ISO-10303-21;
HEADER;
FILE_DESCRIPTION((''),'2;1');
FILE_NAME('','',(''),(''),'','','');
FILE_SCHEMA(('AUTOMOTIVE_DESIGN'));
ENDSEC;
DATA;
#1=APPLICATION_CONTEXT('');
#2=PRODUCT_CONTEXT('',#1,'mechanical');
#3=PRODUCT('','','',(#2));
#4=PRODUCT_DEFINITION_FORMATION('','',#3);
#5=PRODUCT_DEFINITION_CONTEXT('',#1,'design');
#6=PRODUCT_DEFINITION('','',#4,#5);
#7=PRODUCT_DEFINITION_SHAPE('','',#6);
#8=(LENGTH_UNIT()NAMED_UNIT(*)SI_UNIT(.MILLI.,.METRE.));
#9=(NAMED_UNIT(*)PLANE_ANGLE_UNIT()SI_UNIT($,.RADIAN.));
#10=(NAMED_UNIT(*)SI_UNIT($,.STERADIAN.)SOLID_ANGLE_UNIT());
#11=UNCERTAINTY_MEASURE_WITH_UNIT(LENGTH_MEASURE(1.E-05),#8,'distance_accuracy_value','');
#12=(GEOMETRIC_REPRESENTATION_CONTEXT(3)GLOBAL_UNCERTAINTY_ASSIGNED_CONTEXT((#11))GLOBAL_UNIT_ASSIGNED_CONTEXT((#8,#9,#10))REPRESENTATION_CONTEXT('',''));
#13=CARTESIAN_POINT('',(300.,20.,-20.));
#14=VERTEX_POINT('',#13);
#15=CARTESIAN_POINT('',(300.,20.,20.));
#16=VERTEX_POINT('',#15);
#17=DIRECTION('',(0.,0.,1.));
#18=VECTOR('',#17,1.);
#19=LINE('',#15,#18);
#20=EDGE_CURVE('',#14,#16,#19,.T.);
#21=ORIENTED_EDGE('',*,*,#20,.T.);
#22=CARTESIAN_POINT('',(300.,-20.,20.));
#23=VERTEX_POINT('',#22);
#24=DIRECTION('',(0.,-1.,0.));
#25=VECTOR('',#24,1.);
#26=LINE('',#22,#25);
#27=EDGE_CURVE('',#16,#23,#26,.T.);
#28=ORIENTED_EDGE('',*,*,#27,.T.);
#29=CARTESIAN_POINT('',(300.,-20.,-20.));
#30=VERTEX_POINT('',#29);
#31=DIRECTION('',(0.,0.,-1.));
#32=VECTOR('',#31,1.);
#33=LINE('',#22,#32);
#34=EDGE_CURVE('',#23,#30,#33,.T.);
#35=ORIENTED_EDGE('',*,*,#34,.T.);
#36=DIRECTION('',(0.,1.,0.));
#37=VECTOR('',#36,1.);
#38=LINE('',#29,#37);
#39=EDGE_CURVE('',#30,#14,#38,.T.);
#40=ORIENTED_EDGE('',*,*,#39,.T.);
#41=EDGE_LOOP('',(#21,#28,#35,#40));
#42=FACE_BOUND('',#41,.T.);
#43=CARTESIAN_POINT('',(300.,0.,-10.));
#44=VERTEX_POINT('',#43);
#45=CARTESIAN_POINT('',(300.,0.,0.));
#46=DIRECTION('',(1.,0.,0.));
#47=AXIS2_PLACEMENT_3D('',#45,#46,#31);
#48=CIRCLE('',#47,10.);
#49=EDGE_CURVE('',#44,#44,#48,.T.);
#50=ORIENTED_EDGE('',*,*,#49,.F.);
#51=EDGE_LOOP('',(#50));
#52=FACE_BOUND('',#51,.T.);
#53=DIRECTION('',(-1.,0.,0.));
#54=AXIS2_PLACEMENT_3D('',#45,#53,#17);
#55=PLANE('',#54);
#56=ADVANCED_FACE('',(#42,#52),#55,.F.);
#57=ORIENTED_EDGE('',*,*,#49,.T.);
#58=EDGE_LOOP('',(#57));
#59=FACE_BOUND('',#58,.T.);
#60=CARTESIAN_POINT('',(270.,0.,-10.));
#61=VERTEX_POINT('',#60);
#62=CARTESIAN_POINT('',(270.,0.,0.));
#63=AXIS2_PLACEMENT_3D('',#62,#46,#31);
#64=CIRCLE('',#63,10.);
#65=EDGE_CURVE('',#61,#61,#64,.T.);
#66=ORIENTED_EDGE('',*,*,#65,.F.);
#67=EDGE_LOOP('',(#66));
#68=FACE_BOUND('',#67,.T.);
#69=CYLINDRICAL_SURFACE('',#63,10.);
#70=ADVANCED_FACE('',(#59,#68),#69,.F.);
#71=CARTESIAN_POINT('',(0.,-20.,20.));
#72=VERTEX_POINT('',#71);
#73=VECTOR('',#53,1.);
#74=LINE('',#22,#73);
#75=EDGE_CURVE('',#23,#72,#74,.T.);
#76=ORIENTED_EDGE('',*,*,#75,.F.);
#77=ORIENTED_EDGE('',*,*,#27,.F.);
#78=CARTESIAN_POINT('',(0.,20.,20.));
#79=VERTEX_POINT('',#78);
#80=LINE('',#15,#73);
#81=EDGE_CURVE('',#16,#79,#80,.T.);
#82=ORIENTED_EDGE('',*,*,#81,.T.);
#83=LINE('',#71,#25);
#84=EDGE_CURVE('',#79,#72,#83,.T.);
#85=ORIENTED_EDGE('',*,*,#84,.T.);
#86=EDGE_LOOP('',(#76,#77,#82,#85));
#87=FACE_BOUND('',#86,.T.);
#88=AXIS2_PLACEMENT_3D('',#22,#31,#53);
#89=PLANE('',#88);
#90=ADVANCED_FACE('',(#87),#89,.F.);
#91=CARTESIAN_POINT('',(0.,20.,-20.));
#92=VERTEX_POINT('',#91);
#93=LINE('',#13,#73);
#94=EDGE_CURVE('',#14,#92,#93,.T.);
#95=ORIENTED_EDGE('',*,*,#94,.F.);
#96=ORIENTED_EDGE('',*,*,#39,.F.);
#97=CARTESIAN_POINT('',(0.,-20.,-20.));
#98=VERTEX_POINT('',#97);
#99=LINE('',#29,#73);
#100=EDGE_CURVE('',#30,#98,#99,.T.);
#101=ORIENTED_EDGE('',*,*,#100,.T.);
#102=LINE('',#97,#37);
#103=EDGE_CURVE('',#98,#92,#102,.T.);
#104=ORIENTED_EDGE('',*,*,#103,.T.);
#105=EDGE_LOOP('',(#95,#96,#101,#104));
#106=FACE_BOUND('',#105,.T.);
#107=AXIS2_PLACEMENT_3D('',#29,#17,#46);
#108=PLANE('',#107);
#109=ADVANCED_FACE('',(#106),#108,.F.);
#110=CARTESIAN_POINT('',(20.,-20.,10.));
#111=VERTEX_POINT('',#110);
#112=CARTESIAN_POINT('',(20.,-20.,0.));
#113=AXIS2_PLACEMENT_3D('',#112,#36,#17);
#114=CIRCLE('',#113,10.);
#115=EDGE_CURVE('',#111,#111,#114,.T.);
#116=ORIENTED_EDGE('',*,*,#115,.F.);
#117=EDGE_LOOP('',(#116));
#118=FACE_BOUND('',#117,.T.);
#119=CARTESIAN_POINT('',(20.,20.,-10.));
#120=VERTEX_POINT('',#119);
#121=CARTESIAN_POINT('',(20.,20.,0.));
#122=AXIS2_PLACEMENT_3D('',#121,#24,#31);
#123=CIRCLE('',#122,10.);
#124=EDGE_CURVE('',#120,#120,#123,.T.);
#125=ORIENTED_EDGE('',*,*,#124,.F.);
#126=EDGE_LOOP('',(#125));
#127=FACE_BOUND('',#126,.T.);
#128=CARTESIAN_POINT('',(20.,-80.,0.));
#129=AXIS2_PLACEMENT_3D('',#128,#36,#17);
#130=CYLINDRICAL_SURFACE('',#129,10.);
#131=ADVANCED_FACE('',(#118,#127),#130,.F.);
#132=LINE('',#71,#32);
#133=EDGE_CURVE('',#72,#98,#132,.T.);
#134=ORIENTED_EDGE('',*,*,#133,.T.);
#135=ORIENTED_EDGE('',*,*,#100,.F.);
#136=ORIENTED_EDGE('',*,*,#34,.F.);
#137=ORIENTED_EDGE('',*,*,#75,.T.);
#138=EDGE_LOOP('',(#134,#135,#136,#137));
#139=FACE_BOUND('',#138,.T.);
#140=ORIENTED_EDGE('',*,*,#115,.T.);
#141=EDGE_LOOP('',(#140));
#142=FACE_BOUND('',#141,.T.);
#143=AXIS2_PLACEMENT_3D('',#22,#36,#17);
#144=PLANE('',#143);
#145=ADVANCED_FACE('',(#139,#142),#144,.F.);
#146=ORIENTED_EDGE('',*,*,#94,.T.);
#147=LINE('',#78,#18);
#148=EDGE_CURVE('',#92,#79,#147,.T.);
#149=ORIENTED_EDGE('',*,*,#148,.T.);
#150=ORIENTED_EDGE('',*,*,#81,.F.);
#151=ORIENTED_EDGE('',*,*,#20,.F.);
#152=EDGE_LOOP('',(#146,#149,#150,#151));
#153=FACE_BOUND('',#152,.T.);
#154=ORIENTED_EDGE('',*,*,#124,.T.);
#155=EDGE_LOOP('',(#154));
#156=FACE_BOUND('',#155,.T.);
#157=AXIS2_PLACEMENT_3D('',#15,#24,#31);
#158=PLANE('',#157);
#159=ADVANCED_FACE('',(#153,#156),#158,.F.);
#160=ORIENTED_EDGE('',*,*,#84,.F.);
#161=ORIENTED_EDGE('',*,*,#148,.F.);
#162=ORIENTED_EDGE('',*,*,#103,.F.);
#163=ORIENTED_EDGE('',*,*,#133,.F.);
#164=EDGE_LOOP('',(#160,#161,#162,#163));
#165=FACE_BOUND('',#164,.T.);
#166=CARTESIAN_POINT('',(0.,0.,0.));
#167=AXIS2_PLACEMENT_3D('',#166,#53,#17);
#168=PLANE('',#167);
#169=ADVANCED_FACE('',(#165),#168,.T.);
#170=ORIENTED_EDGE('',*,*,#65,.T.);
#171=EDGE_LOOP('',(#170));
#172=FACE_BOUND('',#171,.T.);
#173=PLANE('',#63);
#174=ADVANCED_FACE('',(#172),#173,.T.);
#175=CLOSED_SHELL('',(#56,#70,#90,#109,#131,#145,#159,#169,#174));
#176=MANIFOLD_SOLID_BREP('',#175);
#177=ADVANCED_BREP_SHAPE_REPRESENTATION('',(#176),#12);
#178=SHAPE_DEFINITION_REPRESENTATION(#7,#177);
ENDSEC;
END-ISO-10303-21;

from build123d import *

# Parameters (mm, degrees)
SKETCH1_W               = 40
SKETCH1_H               = 40
BOSS_EXTRUDE1_DEPTH     = 300
CUT_EXTRUDE1_DEPTH      = 100
CUT_EXTRUDE1_DEPTH_BACK = 100
SKETCH2_R               = 10
CUT_EXTRUDE2_DEPTH      = 50
CUT_EXTRUDE2_DEPTH_BACK = 50
SKETCH3_R               = 10
SKETCH4_W               = 40
SKETCH4_H               = 40
BOSS_EXTRUDE2_DEPTH     = 300
CUT_EXTRUDE3_DEPTH      = 80
CUT_EXTRUDE3_DEPTH_BACK = 80
SKETCH5_R               = 10
SKETCH6_R               = 10
CUT_EXTRUDE4_DEPTH      = 30


with BuildPart() as part:
    # Sketch1 → Boss-Extrude1 (new body)
    with BuildSketch(Plane(origin=(0, 0, 0), x_dir=(0, 0, -1), z_dir=(1, 0, 0))):
        Rectangle(SKETCH1_W, SKETCH1_H)
    extrude(amount=BOSS_EXTRUDE1_DEPTH)

    # Sketch2 → Cut-Extrude1 (cut, two sides: drawn at the far end of the back side and taken through both)
    with BuildSketch(Plane(origin=(0, 0, 0), x_dir=(1, 0, 0), z_dir=(0, 1, 0)).offset(-CUT_EXTRUDE1_DEPTH_BACK)):
        with Locations((20, 0)):
            Circle(SKETCH2_R)
    extrude(amount=CUT_EXTRUDE1_DEPTH + CUT_EXTRUDE1_DEPTH_BACK, mode=Mode.SUBTRACT)

    # Sketch3 → Cut-Extrude2 (cut, two sides: drawn at the far end of the back side and taken through both)
    with BuildSketch(Plane(origin=(300, 0, 0), x_dir=(0, 0, -1), z_dir=(1, 0, 0)).offset(-CUT_EXTRUDE2_DEPTH_BACK)):
        Circle(SKETCH3_R)
    extrude(amount=CUT_EXTRUDE2_DEPTH + CUT_EXTRUDE2_DEPTH_BACK, mode=Mode.SUBTRACT)

    # Sketch4 → Boss-Extrude2 (add)
    with BuildSketch(Plane(origin=(0, 0, 0), x_dir=(0, 0, -1), z_dir=(1, 0, 0))):
        Rectangle(SKETCH4_W, SKETCH4_H)
    extrude(amount=BOSS_EXTRUDE2_DEPTH)

    # Sketch5 → Cut-Extrude3 (cut, two sides: drawn at the far end of the back side and taken through both)
    with BuildSketch(Plane(origin=(0, 0, 0), x_dir=(1, 0, 0), z_dir=(0, 1, 0)).offset(-CUT_EXTRUDE3_DEPTH_BACK)):
        with Locations((20, 0)):
            Circle(SKETCH5_R)
    extrude(amount=CUT_EXTRUDE3_DEPTH + CUT_EXTRUDE3_DEPTH_BACK, mode=Mode.SUBTRACT)

    # Sketch6 → Cut-Extrude4 (cut)
    with BuildSketch(Plane(origin=(300, 0, 0), x_dir=(0, 0, -1), z_dir=(1, 0, 0))):
        Circle(SKETCH6_R)
    extrude(amount=-CUT_EXTRUDE4_DEPTH, mode=Mode.SUBTRACT)


solid = part.part
